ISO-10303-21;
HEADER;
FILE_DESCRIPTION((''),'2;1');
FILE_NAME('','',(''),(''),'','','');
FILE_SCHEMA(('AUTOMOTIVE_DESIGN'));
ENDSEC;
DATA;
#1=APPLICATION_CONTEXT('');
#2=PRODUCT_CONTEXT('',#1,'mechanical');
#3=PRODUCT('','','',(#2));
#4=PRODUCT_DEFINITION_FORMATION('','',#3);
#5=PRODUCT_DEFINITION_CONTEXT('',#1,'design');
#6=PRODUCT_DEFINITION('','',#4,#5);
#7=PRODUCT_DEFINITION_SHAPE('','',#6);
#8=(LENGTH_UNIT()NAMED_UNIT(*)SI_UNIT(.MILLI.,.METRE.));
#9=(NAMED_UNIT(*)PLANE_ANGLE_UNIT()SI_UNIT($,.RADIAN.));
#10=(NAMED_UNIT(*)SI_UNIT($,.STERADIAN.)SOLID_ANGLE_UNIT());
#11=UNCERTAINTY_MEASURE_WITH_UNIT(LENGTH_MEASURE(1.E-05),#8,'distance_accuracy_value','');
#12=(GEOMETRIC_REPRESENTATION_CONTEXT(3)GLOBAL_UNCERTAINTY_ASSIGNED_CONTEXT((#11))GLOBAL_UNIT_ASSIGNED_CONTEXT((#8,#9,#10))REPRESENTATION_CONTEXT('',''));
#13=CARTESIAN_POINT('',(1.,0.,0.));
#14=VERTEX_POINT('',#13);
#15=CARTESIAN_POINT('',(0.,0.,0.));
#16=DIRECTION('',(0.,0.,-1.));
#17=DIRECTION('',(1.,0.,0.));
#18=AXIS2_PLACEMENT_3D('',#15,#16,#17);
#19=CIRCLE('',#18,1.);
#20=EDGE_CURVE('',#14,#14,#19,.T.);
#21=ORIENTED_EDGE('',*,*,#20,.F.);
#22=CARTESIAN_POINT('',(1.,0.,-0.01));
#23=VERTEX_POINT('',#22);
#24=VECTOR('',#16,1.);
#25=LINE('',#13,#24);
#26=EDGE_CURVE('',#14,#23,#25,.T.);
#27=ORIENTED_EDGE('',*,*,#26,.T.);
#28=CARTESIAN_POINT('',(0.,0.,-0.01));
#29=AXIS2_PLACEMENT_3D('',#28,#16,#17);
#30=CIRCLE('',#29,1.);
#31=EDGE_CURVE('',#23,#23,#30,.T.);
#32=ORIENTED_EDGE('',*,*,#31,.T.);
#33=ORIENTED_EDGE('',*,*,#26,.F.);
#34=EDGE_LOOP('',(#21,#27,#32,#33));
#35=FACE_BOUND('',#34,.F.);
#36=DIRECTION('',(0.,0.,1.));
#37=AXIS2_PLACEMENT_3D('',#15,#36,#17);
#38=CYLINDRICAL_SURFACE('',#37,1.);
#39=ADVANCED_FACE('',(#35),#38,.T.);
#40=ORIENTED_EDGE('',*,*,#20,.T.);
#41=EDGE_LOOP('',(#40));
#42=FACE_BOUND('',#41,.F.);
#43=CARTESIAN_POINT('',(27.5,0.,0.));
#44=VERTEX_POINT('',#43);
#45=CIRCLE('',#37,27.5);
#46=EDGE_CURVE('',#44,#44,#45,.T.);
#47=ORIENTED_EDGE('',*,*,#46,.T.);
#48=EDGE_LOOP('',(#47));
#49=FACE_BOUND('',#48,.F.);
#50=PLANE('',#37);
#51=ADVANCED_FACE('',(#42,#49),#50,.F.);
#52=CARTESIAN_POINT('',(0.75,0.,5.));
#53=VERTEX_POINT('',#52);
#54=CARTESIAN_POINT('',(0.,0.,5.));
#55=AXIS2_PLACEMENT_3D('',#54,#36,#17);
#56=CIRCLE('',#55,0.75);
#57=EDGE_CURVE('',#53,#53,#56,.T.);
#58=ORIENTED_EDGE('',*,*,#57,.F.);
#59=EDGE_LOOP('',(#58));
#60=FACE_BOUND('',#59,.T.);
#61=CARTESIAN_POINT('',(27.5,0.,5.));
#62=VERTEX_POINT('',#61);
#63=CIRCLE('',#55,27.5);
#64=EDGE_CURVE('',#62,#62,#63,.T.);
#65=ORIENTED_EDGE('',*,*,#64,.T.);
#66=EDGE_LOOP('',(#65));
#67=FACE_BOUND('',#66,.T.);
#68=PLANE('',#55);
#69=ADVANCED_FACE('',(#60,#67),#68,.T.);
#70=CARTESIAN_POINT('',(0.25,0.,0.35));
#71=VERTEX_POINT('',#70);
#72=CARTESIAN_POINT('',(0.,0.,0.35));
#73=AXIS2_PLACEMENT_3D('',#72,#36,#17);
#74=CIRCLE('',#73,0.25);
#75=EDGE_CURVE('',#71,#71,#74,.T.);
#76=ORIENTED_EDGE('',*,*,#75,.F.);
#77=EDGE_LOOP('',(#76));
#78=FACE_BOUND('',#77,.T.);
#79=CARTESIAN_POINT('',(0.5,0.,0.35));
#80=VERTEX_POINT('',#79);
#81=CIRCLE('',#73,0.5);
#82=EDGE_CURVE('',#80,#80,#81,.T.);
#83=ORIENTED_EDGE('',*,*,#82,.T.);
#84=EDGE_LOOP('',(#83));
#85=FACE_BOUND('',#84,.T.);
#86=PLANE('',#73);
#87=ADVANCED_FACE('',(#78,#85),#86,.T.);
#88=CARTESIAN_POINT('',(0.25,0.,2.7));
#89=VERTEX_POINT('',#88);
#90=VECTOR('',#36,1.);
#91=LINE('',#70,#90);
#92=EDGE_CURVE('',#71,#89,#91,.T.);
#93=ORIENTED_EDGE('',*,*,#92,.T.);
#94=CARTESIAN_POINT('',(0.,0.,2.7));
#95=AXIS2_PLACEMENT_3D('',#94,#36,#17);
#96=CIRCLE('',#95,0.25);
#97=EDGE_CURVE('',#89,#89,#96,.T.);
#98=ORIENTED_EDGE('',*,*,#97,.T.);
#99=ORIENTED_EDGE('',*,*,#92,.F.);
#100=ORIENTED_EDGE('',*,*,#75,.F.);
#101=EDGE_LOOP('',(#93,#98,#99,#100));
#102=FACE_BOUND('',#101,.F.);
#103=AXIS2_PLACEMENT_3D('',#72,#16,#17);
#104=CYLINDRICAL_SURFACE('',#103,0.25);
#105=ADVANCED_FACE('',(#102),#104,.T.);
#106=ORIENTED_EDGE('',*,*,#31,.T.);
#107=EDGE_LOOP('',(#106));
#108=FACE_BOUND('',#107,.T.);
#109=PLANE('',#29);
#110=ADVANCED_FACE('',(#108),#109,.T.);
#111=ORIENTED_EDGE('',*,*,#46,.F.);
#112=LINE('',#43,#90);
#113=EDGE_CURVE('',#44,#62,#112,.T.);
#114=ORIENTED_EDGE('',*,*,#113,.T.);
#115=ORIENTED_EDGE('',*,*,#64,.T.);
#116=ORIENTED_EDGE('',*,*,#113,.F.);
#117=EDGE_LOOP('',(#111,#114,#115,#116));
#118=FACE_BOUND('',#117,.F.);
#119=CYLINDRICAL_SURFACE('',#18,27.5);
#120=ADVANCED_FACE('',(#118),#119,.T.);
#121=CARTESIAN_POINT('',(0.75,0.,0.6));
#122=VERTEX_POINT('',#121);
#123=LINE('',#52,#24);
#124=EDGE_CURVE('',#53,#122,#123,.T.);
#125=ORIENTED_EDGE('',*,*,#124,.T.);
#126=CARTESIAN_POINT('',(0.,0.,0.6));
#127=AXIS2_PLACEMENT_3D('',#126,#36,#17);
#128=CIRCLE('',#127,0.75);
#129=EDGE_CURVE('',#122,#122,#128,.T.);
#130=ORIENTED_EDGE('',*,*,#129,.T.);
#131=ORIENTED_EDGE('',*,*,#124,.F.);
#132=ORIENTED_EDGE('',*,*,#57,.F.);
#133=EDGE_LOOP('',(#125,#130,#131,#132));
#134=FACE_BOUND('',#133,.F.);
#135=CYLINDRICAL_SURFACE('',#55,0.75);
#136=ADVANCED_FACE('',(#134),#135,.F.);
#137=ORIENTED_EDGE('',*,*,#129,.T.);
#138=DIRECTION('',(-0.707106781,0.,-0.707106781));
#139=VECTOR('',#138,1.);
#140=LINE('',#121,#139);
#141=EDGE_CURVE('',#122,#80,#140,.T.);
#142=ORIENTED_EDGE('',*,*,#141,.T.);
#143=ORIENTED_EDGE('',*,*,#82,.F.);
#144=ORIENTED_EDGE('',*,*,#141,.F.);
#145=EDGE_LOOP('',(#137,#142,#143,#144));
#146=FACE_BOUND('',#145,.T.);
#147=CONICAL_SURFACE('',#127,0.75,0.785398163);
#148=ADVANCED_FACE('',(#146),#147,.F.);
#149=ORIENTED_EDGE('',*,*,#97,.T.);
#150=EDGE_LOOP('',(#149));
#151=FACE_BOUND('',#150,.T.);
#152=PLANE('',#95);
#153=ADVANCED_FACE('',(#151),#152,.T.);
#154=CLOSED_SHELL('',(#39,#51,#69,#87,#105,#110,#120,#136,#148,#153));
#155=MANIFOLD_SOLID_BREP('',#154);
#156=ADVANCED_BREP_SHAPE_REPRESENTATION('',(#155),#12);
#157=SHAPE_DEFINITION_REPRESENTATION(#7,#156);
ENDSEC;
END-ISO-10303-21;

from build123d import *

# Parameters (mm, degrees)
F0_R     = 27.5
F1_DEPTH = 5
F2_R     = 0.75
F3_DEPTH = 4.65
F4_R     = 0.25
F5_DEPTH = 2.35
F6_SIZE  = 0.25
F7_R     = 1
F8_DEPTH = 0.01


with BuildPart() as f1:
    # F0 (on Top) → F1 (new body)
    with BuildSketch(Plane.XY):
        Circle(F0_R)
    extrude(amount=F1_DEPTH)

    # F2 (on face) → F3 (cut)
    with BuildSketch(Plane.XY.offset(5)):
        Circle(F2_R)
    extrude(amount=-F3_DEPTH, mode=Mode.SUBTRACT)

    # F4 (on face) → F5 (join)
    with BuildSketch(Plane.XY.offset(0.35)):
        Circle(F4_R)
    extrude(amount=F5_DEPTH)

    # F6
    f6_edges = [f1.edges().sort_by_distance(p)[0] for p in [
        (-0.75, 0, 0.35),
    ]]
    chamfer(f6_edges, length=F6_SIZE)

    # F7 (on face) → F8 (join)
    with BuildSketch(Plane(origin=(0, 0, 0), x_dir=(1, 0, 0), z_dir=(0, 0, -1))):
        Circle(F7_R)
    extrude(amount=F8_DEPTH)


solid = f1.part
